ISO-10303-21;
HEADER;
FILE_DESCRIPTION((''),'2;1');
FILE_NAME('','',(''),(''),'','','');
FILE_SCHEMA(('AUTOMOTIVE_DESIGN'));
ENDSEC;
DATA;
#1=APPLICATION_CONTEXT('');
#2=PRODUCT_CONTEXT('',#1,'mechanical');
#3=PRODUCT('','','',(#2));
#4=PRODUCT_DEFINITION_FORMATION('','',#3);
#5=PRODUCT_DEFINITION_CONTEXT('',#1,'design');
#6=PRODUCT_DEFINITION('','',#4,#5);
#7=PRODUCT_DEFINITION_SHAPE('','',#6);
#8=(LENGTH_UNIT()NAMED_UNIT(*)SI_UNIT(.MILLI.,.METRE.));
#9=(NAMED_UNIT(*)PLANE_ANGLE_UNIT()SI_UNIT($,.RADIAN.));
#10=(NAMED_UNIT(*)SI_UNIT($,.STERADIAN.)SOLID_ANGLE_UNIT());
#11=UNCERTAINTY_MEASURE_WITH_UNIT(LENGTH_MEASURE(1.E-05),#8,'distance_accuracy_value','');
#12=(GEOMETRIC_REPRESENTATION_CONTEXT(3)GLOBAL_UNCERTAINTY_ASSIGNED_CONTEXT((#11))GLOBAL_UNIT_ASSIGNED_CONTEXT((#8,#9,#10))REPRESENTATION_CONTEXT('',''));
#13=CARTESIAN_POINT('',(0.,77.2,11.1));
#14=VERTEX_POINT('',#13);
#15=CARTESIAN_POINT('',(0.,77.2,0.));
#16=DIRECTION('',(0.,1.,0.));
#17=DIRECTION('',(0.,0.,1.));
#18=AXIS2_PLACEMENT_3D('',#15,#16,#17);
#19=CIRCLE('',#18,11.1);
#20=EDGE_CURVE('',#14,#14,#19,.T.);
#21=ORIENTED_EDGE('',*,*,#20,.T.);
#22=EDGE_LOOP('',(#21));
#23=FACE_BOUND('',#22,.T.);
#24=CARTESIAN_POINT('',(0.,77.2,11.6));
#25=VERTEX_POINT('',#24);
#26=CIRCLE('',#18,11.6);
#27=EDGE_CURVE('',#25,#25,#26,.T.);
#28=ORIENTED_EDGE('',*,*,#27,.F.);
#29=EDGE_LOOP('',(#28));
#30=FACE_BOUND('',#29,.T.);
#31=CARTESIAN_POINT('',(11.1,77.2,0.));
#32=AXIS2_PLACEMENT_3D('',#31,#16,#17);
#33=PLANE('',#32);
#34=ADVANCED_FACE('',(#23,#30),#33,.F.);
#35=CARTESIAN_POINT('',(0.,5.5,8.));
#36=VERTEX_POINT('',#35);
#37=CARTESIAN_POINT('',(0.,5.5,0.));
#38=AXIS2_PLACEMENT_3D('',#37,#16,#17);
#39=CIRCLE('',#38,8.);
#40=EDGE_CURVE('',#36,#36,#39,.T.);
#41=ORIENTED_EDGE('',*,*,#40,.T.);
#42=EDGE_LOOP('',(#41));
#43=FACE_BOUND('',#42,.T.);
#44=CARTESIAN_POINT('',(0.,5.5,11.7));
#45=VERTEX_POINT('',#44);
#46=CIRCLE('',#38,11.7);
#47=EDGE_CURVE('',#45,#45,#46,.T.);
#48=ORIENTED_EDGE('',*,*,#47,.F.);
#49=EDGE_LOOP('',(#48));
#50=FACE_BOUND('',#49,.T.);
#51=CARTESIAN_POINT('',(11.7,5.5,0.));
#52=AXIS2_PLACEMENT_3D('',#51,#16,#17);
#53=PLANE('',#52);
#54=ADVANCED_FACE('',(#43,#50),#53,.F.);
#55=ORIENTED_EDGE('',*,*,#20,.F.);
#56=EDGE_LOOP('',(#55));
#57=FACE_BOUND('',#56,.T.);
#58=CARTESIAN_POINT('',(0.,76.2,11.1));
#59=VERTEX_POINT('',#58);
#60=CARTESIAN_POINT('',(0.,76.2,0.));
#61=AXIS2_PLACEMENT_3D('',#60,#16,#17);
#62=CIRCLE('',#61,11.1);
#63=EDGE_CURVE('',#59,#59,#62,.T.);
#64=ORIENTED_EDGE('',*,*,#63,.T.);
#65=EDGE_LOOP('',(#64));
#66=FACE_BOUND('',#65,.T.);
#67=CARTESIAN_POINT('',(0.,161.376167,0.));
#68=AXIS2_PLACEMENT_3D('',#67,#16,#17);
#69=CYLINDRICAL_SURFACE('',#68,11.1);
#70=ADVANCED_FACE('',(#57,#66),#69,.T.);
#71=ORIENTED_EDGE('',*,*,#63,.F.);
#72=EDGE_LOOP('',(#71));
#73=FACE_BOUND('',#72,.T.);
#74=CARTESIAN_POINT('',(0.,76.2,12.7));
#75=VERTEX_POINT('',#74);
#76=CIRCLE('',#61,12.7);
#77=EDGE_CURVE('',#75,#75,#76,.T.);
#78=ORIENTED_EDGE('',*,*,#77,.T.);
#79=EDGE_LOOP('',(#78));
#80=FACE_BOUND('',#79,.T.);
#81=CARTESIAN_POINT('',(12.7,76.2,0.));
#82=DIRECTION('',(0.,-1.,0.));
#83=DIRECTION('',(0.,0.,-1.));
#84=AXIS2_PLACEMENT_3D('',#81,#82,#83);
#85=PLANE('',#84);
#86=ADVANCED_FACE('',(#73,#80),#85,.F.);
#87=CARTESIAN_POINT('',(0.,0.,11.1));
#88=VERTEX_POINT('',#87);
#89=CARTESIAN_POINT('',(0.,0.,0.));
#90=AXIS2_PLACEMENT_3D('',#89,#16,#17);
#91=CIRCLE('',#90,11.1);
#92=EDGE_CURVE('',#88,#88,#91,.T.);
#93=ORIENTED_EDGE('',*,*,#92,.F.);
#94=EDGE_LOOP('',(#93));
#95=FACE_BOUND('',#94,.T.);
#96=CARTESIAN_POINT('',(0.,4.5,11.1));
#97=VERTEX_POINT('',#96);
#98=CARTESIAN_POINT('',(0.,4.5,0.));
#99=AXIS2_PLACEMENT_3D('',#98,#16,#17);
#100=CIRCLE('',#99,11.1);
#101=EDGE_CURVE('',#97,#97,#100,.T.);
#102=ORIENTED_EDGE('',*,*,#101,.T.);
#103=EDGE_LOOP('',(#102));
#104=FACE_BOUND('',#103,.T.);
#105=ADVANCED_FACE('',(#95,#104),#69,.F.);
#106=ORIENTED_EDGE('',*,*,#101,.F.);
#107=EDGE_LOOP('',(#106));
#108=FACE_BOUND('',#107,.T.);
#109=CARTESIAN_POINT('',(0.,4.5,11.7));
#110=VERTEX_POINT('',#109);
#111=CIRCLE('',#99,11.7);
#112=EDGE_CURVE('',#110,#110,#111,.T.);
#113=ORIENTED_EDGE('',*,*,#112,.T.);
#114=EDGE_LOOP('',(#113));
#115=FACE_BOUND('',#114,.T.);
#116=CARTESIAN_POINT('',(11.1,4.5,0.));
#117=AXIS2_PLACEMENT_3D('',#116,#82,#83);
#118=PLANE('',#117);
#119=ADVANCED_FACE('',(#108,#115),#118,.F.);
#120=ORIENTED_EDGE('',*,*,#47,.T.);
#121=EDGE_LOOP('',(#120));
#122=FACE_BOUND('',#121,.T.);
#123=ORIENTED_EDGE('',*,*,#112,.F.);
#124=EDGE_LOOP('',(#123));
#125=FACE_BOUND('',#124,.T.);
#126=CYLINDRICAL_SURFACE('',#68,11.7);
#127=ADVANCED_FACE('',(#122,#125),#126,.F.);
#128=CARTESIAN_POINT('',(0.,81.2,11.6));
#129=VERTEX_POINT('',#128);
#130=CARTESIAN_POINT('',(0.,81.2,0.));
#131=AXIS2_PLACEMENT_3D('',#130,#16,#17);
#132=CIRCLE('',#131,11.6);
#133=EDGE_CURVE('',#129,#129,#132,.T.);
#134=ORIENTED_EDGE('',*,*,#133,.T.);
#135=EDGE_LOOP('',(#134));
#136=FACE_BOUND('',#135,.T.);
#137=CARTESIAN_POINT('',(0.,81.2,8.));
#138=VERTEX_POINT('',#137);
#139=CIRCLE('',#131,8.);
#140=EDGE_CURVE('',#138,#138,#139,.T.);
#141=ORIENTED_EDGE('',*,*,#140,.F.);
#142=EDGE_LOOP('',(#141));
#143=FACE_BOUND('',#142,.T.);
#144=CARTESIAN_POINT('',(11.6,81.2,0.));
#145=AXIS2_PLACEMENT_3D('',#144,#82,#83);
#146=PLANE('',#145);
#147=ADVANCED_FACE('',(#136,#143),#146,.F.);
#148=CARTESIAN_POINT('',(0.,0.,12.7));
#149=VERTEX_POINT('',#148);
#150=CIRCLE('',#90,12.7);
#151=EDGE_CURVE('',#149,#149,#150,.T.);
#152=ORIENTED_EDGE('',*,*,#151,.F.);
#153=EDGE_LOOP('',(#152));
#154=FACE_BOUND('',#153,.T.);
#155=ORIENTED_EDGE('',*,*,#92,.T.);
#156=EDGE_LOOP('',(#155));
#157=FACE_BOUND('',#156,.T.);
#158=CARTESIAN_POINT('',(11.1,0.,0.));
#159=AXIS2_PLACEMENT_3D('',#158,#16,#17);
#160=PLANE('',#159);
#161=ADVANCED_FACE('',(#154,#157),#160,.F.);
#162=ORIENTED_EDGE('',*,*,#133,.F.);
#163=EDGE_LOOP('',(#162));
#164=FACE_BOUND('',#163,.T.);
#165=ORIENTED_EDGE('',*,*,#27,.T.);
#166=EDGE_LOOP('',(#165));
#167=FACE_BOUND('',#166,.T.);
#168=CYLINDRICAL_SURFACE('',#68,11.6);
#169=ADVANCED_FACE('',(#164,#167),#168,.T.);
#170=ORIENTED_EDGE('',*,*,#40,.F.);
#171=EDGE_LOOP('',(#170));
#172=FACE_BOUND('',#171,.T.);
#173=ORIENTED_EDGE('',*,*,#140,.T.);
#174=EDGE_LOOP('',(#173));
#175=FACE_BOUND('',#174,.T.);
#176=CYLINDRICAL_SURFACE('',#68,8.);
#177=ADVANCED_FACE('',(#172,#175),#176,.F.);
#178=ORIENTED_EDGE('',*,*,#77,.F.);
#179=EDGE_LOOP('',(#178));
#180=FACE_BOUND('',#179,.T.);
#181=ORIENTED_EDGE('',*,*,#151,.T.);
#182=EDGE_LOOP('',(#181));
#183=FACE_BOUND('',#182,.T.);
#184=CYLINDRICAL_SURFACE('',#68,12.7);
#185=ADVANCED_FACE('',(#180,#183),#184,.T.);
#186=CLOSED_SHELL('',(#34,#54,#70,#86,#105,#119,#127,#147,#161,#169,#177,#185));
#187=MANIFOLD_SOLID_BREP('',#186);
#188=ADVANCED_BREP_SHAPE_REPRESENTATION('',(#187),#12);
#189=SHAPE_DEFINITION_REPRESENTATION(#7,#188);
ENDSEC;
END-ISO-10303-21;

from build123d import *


with BuildPart() as part:
    # 草图1 → 旋转1 (revolve)
    with BuildSketch(Plane.XY, mode=Mode.PRIVATE) as revolve_1_sk:
        Polygon((11.1, 0), (11.1, 4.5), (11.7, 4.5), (11.7, 5.5), (8, 5.5), (8, 81.2), (11.6, 81.2), (11.6, 77.2), (11.1, 77.2), (11.1, 76.2), (12.7, 76.2), (12.7, 0), align=None)
    revolve(revolve_1_sk.sketch.rotate(Axis((0, 161.376166943, 0), (0, -1, 0)), 90), axis=Axis((0, 161.376166943, 0), (0, -1, 0)))  # turned: the seam where the file's is


solid = part.part
